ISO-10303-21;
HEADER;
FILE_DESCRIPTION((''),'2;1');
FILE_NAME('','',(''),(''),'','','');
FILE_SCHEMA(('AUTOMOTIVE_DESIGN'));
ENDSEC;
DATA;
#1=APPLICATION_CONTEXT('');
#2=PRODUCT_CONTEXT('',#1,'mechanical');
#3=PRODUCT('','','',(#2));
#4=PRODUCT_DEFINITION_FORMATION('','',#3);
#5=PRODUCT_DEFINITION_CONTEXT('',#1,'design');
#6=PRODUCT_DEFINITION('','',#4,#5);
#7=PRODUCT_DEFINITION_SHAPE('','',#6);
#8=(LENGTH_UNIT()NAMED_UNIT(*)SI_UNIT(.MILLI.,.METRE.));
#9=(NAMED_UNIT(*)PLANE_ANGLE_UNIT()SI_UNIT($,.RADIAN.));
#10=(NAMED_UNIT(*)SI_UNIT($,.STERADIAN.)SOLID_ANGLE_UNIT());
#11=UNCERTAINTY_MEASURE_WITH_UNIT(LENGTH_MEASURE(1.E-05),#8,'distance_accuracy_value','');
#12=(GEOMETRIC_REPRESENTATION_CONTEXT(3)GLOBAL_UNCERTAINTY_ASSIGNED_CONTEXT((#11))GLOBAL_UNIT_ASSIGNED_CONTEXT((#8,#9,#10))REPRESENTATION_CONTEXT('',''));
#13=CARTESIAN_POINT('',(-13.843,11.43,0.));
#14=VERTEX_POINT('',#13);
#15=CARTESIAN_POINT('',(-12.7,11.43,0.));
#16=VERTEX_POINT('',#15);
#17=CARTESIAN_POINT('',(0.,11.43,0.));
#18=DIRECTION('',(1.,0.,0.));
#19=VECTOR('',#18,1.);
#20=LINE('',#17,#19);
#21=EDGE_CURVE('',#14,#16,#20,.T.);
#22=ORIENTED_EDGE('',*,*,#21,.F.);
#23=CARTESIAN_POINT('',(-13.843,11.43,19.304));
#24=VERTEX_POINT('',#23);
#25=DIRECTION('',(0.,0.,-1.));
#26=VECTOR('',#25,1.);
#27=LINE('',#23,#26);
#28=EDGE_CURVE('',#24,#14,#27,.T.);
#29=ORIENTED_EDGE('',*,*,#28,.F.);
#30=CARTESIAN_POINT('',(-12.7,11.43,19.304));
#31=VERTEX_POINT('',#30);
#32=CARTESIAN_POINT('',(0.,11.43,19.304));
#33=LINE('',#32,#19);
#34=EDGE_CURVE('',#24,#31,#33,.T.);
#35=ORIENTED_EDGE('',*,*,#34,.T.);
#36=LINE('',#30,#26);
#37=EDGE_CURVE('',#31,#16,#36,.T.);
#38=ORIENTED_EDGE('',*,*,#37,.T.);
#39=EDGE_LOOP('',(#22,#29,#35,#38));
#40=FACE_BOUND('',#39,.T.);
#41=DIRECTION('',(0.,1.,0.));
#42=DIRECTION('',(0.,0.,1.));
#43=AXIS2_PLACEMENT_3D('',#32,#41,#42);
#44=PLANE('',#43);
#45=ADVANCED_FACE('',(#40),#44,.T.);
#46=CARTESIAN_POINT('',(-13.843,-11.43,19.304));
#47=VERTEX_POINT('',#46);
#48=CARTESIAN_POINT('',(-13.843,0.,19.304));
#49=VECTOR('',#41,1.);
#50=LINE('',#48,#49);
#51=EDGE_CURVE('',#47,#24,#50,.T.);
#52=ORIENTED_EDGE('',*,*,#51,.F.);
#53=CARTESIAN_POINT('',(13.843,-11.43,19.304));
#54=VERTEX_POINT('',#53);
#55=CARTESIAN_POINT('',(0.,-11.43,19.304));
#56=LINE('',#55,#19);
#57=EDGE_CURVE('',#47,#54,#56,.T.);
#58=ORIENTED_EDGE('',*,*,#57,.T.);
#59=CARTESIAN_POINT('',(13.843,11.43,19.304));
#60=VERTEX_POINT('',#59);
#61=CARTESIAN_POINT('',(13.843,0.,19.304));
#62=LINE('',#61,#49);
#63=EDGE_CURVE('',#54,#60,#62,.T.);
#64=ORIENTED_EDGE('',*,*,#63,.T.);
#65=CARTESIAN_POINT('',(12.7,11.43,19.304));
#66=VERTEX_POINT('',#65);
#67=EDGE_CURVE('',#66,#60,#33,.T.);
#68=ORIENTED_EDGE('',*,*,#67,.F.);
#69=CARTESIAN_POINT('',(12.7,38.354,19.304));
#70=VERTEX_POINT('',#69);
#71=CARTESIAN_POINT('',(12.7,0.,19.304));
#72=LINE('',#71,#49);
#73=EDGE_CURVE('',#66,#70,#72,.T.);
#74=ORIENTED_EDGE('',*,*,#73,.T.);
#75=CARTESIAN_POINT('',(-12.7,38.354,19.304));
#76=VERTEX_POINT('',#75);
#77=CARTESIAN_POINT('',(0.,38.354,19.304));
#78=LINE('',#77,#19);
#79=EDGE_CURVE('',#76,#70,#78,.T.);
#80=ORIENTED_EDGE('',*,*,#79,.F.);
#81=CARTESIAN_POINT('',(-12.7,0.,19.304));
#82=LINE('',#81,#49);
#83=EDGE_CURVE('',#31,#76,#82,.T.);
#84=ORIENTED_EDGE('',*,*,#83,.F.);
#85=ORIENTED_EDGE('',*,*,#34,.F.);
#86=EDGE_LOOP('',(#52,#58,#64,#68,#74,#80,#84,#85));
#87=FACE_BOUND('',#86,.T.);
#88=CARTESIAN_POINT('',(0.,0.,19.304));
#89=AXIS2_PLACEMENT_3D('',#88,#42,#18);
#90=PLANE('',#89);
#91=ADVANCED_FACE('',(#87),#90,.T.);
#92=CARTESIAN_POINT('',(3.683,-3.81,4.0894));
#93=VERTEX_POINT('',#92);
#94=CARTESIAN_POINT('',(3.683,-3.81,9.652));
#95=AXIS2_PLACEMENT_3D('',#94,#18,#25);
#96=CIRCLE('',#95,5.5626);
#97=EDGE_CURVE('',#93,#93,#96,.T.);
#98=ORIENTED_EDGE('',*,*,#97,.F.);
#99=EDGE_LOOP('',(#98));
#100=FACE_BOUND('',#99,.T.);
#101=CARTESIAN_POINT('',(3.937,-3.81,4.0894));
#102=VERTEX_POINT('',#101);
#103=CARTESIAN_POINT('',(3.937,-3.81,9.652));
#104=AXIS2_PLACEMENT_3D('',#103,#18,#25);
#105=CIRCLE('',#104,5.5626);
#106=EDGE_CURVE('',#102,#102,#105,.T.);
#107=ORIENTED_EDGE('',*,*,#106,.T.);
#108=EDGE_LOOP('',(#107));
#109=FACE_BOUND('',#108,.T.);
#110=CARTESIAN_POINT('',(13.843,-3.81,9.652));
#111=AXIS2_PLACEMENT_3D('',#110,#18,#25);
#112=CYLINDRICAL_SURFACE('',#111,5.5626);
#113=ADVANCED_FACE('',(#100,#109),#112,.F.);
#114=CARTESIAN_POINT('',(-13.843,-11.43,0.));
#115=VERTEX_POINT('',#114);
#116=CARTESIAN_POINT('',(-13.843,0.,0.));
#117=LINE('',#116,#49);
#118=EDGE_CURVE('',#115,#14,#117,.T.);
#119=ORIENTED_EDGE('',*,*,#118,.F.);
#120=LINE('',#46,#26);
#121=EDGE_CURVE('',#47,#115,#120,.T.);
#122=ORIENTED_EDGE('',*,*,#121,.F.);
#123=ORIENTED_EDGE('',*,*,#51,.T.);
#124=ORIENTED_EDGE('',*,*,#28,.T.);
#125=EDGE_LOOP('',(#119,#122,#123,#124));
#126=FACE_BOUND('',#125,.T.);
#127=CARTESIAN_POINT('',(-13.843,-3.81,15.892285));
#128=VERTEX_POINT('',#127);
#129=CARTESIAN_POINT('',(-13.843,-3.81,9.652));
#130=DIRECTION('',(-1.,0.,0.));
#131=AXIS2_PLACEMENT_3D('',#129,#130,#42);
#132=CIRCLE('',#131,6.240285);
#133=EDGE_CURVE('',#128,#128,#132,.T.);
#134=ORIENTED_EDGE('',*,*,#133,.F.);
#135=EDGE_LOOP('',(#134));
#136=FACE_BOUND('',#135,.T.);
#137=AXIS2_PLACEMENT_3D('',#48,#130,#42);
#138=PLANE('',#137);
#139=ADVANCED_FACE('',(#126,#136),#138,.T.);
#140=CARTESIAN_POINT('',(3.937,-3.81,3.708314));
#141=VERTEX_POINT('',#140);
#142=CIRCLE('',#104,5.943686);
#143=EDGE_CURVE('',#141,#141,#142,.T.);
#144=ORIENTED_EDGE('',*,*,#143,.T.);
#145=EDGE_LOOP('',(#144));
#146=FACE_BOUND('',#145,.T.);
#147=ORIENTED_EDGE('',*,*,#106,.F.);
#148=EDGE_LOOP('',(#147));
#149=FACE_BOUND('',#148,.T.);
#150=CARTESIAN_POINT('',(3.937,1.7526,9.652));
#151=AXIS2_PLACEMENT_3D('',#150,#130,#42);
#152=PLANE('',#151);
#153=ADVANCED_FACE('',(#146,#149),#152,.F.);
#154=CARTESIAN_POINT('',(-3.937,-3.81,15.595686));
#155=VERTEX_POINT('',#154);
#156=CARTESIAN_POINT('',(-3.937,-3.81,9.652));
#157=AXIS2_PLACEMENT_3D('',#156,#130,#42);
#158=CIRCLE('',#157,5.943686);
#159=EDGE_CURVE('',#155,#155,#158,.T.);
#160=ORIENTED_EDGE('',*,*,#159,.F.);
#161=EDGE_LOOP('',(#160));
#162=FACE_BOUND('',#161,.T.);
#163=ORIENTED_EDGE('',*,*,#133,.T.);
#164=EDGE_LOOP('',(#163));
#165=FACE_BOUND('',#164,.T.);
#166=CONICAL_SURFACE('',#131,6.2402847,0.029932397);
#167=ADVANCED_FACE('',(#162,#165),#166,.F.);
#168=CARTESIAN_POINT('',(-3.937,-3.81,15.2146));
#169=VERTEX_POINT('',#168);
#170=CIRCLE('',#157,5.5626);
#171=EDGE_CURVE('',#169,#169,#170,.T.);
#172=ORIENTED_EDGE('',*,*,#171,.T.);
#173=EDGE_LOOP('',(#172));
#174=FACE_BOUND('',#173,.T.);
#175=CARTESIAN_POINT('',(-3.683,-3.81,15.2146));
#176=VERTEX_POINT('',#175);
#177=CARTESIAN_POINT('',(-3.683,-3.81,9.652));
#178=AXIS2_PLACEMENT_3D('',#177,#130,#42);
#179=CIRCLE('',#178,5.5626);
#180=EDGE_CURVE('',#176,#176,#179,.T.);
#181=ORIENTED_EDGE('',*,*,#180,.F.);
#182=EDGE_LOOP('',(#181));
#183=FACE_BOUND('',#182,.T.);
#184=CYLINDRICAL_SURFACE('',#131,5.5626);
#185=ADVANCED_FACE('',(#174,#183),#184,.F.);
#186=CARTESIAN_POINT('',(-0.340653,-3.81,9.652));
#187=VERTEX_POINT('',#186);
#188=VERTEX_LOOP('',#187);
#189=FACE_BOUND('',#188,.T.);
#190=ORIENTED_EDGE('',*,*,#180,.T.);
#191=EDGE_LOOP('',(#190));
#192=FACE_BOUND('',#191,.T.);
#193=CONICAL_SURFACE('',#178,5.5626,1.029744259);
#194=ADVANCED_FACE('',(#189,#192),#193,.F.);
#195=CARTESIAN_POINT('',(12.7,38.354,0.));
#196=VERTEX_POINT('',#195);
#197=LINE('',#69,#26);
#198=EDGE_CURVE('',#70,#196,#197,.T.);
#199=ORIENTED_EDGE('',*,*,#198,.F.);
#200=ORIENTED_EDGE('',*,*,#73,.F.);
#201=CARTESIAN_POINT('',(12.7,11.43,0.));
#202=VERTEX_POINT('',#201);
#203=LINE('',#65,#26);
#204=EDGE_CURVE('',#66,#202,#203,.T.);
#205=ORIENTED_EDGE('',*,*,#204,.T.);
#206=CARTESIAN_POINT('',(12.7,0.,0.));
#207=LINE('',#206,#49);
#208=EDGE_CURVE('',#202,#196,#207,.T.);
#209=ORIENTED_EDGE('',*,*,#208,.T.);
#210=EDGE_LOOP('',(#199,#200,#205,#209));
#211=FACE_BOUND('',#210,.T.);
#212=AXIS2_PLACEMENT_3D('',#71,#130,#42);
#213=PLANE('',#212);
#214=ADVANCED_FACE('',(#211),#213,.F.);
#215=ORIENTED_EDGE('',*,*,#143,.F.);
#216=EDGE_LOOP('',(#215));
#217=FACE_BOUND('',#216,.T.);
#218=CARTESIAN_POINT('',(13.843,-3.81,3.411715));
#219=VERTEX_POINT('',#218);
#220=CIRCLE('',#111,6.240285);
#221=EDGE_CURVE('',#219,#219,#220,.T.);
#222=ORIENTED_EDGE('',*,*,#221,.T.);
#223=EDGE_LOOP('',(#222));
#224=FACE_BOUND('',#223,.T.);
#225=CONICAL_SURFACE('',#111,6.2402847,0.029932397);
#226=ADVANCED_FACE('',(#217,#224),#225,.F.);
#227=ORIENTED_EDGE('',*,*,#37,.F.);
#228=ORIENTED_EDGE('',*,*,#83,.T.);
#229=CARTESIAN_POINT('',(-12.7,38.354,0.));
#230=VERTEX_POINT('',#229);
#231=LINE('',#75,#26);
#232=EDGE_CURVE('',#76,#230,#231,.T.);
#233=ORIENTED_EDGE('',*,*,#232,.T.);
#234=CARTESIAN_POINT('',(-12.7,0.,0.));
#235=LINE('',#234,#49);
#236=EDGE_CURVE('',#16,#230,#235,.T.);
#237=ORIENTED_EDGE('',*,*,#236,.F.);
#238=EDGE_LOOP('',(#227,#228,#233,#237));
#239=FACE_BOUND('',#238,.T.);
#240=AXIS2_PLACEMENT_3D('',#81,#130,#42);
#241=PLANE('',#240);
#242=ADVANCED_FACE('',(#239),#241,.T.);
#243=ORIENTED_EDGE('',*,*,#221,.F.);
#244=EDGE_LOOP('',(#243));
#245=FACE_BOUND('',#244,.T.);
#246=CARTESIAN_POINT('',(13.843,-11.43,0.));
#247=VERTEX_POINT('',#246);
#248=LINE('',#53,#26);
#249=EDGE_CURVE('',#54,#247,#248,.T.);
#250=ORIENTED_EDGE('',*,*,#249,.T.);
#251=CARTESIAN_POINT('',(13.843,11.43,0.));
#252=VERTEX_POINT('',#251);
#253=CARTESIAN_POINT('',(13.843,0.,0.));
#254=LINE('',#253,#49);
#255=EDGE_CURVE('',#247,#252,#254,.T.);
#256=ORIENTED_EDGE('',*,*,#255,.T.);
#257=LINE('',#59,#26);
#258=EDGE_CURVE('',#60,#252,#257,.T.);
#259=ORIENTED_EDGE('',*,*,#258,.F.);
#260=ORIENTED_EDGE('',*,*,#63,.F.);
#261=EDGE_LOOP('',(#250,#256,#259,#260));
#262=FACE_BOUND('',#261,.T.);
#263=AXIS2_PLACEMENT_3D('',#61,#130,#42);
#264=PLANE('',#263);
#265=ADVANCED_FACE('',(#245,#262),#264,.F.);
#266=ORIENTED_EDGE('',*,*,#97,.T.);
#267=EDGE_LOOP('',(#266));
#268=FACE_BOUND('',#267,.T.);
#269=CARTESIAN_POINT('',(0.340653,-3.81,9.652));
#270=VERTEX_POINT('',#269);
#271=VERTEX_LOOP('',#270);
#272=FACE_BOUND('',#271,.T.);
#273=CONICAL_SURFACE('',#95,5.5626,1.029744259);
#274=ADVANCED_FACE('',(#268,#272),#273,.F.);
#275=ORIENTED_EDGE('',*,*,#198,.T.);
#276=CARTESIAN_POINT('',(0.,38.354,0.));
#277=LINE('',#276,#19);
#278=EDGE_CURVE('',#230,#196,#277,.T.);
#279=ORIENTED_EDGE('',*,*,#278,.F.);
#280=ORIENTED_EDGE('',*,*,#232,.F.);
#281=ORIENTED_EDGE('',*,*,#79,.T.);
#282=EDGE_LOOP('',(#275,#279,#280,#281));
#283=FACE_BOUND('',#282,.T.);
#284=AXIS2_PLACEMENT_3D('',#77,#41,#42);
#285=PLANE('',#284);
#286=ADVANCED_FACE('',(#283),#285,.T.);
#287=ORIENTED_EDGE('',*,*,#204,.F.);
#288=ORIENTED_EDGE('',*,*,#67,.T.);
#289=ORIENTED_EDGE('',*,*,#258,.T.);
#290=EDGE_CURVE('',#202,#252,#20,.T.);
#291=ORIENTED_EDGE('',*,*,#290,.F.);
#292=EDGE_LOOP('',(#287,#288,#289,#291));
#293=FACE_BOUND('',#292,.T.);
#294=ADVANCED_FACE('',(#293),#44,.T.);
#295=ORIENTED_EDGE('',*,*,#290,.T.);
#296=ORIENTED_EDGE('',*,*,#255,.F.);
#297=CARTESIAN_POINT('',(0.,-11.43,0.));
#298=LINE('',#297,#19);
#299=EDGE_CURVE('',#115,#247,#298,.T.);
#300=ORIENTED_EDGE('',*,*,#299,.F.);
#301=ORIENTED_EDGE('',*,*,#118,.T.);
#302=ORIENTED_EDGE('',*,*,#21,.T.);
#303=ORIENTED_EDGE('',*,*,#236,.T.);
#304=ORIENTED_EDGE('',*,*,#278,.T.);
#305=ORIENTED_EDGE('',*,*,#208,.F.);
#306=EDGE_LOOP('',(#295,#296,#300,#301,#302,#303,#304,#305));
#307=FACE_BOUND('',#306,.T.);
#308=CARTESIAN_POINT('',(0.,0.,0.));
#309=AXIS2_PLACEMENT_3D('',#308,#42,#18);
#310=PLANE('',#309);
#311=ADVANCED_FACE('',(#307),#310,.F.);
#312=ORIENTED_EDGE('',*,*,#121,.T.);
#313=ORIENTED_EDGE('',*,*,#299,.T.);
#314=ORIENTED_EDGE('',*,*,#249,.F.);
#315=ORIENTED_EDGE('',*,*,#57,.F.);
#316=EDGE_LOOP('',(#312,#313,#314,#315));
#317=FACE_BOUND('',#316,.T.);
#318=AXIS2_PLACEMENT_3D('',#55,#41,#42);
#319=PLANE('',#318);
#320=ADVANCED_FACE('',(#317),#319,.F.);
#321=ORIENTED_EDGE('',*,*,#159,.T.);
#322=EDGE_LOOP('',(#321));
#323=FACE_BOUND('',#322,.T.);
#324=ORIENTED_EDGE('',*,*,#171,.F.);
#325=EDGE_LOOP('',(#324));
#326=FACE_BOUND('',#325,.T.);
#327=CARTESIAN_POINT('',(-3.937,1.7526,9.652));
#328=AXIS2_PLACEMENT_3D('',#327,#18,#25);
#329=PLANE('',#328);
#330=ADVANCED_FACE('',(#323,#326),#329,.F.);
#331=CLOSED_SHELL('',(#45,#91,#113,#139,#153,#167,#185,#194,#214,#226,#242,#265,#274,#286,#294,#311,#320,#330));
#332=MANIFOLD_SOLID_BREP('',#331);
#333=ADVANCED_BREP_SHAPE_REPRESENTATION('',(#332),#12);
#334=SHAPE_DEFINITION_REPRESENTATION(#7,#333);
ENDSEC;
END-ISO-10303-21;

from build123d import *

# Parameters (mm, degrees)
SKETCH1_W           = 27.686
SKETCH1_H           = 22.86
SKETCH1_W_2         = 25.4
SKETCH1_H_2         = 26.924
BOSS_EXTRUDE1_DEPTH = 19.304


with BuildPart() as part:
    # Sketch1 → Boss-Extrude1 (new body)
    with BuildSketch(Plane.XY):
        Rectangle(SKETCH1_W, SKETCH1_H)
        with Locations((0, 24.892)):
            Rectangle(SKETCH1_W_2, SKETCH1_H_2)
    extrude(amount=BOSS_EXTRUDE1_DEPTH)

    # Sketch3 → 1/4 NPT Tapped Hole1 (revolve, cut)
    with BuildSketch(Plane(origin=(13.843, -3.81, 9.652), x_dir=(0, 0, -1), z_dir=(0, 1, 0))):
        Polygon((0, 0), (0, 13.502347279), (5.5626, 10.16), (5.5626, 9.906), (5.943685794, 9.906), (6.2402847, 0), align=None)
    revolve(axis=Axis((20.193, -3.81, 9.652), (-1, 0, 0)), mode=Mode.SUBTRACT)

    # Sketch4 → 1/4 NPT Tapped Hole2 (revolve, cut)
    with BuildSketch(Plane(origin=(-13.843, -3.81, 9.652), x_dir=(0, 0, 1), z_dir=(0, 1, 0))):
        Polygon((0, 0), (0, 13.502347279), (5.5626, 10.16), (5.5626, 9.906), (5.943685794, 9.906), (6.2402847, 0), align=None)
    revolve(axis=Axis((-20.193, -3.81, 9.652), (1, 0, 0)), mode=Mode.SUBTRACT)


solid = part.part
